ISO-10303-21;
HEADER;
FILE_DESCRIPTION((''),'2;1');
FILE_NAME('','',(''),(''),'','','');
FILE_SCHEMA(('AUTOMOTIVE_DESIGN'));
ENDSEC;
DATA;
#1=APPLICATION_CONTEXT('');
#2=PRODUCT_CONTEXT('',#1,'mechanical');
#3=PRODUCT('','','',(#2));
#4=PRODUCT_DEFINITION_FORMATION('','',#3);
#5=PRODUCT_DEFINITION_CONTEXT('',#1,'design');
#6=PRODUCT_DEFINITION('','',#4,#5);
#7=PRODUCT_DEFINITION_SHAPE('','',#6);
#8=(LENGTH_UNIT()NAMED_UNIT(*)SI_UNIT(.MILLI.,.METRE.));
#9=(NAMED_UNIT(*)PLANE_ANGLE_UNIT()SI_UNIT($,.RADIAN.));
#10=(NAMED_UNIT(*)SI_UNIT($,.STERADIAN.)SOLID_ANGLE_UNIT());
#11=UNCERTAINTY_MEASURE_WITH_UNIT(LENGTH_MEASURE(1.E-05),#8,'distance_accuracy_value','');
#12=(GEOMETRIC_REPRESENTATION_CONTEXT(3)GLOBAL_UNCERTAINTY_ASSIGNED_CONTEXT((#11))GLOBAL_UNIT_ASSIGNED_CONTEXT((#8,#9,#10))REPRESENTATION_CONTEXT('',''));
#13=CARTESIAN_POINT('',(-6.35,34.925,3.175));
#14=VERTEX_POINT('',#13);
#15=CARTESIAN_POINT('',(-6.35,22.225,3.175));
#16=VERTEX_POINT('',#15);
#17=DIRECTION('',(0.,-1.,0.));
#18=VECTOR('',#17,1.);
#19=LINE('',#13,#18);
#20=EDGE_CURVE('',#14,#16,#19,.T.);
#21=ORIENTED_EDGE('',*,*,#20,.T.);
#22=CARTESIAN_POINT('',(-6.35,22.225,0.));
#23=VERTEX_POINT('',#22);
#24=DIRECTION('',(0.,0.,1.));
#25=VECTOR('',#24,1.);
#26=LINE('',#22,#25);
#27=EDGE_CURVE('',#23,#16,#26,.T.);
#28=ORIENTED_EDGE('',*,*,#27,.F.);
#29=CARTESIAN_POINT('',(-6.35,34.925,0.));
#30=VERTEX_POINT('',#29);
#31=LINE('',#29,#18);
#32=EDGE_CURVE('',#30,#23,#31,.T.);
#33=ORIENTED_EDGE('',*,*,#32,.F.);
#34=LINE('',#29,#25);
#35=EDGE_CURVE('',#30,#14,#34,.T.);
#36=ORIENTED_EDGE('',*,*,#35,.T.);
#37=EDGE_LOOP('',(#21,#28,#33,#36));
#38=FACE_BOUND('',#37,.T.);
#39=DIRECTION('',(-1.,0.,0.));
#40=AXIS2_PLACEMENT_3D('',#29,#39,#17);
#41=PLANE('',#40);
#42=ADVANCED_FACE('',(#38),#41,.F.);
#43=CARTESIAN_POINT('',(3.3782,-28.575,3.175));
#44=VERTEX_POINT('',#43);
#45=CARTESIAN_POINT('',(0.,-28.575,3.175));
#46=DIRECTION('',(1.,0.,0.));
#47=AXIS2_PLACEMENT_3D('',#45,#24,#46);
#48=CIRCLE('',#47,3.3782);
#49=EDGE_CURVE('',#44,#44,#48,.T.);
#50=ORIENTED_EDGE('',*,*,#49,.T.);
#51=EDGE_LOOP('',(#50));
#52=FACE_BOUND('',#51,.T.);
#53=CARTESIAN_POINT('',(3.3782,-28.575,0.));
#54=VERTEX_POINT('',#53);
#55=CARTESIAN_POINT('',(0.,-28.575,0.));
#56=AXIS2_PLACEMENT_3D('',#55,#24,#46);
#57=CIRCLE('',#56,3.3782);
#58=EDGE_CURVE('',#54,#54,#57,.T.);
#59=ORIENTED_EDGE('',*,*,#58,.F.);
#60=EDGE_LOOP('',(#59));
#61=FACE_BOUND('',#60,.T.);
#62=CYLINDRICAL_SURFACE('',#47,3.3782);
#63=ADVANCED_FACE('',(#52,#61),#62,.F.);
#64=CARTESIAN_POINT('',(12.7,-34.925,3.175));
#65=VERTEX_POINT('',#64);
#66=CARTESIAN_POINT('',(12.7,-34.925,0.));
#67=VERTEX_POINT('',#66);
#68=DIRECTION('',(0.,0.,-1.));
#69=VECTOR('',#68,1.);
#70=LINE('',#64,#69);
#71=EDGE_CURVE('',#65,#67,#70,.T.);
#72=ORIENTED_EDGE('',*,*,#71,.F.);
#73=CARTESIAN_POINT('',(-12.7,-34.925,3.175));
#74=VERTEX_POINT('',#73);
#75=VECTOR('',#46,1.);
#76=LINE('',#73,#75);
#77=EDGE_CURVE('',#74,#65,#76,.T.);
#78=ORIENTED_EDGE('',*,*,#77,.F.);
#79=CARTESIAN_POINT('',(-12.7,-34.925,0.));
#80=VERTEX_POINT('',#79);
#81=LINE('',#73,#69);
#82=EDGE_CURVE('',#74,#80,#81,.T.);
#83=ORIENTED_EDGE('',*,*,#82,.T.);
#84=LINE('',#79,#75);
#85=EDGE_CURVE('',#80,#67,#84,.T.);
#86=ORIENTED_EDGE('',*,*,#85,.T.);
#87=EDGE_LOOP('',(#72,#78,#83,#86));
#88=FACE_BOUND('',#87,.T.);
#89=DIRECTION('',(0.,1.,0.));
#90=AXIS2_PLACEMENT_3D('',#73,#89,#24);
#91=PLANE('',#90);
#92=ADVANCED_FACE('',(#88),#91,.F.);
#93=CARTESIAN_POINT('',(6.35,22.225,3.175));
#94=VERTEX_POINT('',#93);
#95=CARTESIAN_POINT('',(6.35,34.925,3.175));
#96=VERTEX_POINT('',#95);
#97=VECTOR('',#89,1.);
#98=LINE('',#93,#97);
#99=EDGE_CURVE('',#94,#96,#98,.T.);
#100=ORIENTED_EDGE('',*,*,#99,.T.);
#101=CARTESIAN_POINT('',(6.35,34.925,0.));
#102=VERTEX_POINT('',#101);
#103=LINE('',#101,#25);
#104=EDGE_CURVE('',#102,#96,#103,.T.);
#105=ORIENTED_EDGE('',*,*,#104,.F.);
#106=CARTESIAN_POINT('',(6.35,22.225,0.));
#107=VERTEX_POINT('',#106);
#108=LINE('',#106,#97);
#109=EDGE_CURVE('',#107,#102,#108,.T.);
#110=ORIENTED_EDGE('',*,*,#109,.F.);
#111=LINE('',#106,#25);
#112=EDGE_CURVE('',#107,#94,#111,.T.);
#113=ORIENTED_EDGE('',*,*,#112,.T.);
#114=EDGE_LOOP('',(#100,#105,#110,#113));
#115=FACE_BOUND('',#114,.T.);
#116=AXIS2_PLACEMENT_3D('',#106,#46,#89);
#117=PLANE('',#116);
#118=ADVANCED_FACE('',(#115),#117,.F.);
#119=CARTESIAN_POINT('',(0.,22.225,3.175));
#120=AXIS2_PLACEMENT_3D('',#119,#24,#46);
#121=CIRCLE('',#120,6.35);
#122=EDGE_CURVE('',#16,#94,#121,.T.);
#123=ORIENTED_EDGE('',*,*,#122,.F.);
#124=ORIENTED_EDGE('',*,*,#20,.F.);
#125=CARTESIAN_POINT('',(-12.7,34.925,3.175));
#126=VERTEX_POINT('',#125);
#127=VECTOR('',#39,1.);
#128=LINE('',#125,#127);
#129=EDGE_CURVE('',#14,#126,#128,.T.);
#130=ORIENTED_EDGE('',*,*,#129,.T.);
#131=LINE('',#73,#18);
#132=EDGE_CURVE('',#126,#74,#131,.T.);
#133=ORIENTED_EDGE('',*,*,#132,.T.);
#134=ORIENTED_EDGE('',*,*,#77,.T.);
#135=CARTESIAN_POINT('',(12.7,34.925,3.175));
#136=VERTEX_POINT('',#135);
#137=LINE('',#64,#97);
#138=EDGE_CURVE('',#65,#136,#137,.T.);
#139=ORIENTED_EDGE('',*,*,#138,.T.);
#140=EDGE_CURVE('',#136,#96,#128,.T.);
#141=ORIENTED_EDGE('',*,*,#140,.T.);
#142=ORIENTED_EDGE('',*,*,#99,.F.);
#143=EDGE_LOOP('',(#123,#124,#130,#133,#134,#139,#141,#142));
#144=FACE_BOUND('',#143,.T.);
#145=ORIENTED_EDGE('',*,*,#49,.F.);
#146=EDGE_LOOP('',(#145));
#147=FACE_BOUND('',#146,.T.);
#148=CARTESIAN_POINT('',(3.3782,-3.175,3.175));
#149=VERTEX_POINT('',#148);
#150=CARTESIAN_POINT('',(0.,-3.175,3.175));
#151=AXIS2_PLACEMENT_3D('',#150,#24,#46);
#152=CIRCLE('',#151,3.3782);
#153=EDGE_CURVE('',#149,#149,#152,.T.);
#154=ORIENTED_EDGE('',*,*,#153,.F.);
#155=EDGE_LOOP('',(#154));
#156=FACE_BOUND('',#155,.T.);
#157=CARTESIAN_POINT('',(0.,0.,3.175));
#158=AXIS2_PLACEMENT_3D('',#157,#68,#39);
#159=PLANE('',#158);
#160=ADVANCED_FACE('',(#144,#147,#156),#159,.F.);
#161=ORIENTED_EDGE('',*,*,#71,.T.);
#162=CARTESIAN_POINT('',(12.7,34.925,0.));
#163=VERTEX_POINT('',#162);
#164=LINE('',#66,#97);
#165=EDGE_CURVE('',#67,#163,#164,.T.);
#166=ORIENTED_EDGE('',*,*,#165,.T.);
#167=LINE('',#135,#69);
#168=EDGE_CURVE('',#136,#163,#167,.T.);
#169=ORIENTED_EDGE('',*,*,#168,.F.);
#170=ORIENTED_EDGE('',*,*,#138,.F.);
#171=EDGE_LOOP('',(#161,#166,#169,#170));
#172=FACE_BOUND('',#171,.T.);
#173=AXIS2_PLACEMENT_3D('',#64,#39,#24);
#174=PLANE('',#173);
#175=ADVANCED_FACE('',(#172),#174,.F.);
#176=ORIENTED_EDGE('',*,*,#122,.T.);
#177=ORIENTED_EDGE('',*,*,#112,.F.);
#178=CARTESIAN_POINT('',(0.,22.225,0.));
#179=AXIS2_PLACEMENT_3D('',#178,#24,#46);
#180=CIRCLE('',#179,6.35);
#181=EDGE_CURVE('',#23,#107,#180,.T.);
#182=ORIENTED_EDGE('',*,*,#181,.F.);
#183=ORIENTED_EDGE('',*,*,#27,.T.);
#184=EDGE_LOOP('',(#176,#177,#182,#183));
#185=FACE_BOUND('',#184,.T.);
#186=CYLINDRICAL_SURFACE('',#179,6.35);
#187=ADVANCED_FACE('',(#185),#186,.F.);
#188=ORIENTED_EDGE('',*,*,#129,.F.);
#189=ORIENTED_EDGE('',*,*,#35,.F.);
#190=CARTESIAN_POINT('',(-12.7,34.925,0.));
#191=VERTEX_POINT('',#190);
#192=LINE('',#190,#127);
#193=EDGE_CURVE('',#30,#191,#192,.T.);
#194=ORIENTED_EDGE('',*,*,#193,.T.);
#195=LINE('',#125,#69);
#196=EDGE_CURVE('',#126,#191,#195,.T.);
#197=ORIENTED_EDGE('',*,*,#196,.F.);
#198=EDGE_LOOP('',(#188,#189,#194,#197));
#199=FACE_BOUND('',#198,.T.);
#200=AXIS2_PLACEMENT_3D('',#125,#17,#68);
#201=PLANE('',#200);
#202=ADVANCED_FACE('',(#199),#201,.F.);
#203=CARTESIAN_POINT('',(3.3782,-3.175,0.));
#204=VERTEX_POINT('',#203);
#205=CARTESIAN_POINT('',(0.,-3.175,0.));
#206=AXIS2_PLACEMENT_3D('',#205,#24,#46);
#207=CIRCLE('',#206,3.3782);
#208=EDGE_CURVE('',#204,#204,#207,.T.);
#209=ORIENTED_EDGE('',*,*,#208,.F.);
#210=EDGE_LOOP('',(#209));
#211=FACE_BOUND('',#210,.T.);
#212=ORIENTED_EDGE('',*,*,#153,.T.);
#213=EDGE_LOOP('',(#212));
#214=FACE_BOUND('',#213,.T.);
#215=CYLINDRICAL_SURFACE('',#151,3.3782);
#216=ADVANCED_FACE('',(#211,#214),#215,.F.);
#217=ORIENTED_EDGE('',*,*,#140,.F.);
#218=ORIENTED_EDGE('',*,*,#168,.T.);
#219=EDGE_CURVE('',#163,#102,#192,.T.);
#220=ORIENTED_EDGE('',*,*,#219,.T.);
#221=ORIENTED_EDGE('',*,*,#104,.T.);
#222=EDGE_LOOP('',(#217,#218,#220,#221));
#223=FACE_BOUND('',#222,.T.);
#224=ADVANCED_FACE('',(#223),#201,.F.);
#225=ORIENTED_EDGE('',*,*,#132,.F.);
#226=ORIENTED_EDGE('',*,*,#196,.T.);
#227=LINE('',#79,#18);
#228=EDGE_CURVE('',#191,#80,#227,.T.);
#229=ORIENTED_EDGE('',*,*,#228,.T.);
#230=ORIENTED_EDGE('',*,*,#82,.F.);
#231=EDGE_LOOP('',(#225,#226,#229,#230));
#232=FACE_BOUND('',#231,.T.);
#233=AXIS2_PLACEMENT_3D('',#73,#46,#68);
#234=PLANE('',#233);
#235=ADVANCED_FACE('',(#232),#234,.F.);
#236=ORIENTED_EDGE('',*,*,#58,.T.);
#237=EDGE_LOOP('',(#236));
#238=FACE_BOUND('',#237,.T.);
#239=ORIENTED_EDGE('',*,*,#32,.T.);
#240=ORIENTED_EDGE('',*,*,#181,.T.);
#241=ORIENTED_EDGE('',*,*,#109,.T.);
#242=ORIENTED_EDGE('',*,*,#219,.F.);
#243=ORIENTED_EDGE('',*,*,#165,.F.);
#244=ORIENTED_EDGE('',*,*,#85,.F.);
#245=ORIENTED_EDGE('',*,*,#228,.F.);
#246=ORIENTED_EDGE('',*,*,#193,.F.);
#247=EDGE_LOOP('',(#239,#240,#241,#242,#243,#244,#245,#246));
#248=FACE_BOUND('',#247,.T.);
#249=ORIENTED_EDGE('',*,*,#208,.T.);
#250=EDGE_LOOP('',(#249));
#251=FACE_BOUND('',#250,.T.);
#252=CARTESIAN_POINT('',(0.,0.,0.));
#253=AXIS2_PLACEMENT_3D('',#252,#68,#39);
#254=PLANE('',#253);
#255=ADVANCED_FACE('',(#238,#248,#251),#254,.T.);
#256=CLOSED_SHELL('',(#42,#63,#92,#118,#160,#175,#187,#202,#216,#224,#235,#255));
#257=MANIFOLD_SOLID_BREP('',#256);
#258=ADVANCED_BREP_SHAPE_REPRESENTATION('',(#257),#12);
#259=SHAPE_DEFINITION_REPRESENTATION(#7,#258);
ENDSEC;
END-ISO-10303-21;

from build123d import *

# Parameters (mm, degrees)
SKETCH1_W               = 25.4
SKETCH1_H               = 69.85
BOSS_EXTRUDE1_DEPTH     = 3.175
CUT_EXTRUDE1_DEPTH      = 38.297804895
F_1_4_CLEARANCE_HOLE1_D = 6.7564


with BuildPart() as part:
    # Sketch1 → Boss-Extrude1 (new body)
    with BuildSketch(Plane.XY):
        Rectangle(SKETCH1_W, SKETCH1_H)
    extrude(amount=BOSS_EXTRUDE1_DEPTH)

    # Sketch2 → Cut-Extrude1 (cut, through all)
    with BuildSketch(Plane.XY.offset(3.175)):
        with BuildLine():
            Line((-6.35, 34.925), (-6.35, 22.225))
            ThreePointArc((-6.35, 22.225), (0, 15.875), (6.35, 22.225))
            Line((6.35, 22.225), (6.35, 34.925))
            Line((6.35, 34.925), (-6.35, 34.925))
        make_face()
    extrude(amount=-CUT_EXTRUDE1_DEPTH, mode=Mode.SUBTRACT)

    # 1/4 Clearance Hole1 (through all)
    with Locations(Plane.XY.offset(3.175)):
        with Locations((0, -28.575), (0, -3.175)):
            Hole(F_1_4_CLEARANCE_HOLE1_D / 2)


solid = part.part
